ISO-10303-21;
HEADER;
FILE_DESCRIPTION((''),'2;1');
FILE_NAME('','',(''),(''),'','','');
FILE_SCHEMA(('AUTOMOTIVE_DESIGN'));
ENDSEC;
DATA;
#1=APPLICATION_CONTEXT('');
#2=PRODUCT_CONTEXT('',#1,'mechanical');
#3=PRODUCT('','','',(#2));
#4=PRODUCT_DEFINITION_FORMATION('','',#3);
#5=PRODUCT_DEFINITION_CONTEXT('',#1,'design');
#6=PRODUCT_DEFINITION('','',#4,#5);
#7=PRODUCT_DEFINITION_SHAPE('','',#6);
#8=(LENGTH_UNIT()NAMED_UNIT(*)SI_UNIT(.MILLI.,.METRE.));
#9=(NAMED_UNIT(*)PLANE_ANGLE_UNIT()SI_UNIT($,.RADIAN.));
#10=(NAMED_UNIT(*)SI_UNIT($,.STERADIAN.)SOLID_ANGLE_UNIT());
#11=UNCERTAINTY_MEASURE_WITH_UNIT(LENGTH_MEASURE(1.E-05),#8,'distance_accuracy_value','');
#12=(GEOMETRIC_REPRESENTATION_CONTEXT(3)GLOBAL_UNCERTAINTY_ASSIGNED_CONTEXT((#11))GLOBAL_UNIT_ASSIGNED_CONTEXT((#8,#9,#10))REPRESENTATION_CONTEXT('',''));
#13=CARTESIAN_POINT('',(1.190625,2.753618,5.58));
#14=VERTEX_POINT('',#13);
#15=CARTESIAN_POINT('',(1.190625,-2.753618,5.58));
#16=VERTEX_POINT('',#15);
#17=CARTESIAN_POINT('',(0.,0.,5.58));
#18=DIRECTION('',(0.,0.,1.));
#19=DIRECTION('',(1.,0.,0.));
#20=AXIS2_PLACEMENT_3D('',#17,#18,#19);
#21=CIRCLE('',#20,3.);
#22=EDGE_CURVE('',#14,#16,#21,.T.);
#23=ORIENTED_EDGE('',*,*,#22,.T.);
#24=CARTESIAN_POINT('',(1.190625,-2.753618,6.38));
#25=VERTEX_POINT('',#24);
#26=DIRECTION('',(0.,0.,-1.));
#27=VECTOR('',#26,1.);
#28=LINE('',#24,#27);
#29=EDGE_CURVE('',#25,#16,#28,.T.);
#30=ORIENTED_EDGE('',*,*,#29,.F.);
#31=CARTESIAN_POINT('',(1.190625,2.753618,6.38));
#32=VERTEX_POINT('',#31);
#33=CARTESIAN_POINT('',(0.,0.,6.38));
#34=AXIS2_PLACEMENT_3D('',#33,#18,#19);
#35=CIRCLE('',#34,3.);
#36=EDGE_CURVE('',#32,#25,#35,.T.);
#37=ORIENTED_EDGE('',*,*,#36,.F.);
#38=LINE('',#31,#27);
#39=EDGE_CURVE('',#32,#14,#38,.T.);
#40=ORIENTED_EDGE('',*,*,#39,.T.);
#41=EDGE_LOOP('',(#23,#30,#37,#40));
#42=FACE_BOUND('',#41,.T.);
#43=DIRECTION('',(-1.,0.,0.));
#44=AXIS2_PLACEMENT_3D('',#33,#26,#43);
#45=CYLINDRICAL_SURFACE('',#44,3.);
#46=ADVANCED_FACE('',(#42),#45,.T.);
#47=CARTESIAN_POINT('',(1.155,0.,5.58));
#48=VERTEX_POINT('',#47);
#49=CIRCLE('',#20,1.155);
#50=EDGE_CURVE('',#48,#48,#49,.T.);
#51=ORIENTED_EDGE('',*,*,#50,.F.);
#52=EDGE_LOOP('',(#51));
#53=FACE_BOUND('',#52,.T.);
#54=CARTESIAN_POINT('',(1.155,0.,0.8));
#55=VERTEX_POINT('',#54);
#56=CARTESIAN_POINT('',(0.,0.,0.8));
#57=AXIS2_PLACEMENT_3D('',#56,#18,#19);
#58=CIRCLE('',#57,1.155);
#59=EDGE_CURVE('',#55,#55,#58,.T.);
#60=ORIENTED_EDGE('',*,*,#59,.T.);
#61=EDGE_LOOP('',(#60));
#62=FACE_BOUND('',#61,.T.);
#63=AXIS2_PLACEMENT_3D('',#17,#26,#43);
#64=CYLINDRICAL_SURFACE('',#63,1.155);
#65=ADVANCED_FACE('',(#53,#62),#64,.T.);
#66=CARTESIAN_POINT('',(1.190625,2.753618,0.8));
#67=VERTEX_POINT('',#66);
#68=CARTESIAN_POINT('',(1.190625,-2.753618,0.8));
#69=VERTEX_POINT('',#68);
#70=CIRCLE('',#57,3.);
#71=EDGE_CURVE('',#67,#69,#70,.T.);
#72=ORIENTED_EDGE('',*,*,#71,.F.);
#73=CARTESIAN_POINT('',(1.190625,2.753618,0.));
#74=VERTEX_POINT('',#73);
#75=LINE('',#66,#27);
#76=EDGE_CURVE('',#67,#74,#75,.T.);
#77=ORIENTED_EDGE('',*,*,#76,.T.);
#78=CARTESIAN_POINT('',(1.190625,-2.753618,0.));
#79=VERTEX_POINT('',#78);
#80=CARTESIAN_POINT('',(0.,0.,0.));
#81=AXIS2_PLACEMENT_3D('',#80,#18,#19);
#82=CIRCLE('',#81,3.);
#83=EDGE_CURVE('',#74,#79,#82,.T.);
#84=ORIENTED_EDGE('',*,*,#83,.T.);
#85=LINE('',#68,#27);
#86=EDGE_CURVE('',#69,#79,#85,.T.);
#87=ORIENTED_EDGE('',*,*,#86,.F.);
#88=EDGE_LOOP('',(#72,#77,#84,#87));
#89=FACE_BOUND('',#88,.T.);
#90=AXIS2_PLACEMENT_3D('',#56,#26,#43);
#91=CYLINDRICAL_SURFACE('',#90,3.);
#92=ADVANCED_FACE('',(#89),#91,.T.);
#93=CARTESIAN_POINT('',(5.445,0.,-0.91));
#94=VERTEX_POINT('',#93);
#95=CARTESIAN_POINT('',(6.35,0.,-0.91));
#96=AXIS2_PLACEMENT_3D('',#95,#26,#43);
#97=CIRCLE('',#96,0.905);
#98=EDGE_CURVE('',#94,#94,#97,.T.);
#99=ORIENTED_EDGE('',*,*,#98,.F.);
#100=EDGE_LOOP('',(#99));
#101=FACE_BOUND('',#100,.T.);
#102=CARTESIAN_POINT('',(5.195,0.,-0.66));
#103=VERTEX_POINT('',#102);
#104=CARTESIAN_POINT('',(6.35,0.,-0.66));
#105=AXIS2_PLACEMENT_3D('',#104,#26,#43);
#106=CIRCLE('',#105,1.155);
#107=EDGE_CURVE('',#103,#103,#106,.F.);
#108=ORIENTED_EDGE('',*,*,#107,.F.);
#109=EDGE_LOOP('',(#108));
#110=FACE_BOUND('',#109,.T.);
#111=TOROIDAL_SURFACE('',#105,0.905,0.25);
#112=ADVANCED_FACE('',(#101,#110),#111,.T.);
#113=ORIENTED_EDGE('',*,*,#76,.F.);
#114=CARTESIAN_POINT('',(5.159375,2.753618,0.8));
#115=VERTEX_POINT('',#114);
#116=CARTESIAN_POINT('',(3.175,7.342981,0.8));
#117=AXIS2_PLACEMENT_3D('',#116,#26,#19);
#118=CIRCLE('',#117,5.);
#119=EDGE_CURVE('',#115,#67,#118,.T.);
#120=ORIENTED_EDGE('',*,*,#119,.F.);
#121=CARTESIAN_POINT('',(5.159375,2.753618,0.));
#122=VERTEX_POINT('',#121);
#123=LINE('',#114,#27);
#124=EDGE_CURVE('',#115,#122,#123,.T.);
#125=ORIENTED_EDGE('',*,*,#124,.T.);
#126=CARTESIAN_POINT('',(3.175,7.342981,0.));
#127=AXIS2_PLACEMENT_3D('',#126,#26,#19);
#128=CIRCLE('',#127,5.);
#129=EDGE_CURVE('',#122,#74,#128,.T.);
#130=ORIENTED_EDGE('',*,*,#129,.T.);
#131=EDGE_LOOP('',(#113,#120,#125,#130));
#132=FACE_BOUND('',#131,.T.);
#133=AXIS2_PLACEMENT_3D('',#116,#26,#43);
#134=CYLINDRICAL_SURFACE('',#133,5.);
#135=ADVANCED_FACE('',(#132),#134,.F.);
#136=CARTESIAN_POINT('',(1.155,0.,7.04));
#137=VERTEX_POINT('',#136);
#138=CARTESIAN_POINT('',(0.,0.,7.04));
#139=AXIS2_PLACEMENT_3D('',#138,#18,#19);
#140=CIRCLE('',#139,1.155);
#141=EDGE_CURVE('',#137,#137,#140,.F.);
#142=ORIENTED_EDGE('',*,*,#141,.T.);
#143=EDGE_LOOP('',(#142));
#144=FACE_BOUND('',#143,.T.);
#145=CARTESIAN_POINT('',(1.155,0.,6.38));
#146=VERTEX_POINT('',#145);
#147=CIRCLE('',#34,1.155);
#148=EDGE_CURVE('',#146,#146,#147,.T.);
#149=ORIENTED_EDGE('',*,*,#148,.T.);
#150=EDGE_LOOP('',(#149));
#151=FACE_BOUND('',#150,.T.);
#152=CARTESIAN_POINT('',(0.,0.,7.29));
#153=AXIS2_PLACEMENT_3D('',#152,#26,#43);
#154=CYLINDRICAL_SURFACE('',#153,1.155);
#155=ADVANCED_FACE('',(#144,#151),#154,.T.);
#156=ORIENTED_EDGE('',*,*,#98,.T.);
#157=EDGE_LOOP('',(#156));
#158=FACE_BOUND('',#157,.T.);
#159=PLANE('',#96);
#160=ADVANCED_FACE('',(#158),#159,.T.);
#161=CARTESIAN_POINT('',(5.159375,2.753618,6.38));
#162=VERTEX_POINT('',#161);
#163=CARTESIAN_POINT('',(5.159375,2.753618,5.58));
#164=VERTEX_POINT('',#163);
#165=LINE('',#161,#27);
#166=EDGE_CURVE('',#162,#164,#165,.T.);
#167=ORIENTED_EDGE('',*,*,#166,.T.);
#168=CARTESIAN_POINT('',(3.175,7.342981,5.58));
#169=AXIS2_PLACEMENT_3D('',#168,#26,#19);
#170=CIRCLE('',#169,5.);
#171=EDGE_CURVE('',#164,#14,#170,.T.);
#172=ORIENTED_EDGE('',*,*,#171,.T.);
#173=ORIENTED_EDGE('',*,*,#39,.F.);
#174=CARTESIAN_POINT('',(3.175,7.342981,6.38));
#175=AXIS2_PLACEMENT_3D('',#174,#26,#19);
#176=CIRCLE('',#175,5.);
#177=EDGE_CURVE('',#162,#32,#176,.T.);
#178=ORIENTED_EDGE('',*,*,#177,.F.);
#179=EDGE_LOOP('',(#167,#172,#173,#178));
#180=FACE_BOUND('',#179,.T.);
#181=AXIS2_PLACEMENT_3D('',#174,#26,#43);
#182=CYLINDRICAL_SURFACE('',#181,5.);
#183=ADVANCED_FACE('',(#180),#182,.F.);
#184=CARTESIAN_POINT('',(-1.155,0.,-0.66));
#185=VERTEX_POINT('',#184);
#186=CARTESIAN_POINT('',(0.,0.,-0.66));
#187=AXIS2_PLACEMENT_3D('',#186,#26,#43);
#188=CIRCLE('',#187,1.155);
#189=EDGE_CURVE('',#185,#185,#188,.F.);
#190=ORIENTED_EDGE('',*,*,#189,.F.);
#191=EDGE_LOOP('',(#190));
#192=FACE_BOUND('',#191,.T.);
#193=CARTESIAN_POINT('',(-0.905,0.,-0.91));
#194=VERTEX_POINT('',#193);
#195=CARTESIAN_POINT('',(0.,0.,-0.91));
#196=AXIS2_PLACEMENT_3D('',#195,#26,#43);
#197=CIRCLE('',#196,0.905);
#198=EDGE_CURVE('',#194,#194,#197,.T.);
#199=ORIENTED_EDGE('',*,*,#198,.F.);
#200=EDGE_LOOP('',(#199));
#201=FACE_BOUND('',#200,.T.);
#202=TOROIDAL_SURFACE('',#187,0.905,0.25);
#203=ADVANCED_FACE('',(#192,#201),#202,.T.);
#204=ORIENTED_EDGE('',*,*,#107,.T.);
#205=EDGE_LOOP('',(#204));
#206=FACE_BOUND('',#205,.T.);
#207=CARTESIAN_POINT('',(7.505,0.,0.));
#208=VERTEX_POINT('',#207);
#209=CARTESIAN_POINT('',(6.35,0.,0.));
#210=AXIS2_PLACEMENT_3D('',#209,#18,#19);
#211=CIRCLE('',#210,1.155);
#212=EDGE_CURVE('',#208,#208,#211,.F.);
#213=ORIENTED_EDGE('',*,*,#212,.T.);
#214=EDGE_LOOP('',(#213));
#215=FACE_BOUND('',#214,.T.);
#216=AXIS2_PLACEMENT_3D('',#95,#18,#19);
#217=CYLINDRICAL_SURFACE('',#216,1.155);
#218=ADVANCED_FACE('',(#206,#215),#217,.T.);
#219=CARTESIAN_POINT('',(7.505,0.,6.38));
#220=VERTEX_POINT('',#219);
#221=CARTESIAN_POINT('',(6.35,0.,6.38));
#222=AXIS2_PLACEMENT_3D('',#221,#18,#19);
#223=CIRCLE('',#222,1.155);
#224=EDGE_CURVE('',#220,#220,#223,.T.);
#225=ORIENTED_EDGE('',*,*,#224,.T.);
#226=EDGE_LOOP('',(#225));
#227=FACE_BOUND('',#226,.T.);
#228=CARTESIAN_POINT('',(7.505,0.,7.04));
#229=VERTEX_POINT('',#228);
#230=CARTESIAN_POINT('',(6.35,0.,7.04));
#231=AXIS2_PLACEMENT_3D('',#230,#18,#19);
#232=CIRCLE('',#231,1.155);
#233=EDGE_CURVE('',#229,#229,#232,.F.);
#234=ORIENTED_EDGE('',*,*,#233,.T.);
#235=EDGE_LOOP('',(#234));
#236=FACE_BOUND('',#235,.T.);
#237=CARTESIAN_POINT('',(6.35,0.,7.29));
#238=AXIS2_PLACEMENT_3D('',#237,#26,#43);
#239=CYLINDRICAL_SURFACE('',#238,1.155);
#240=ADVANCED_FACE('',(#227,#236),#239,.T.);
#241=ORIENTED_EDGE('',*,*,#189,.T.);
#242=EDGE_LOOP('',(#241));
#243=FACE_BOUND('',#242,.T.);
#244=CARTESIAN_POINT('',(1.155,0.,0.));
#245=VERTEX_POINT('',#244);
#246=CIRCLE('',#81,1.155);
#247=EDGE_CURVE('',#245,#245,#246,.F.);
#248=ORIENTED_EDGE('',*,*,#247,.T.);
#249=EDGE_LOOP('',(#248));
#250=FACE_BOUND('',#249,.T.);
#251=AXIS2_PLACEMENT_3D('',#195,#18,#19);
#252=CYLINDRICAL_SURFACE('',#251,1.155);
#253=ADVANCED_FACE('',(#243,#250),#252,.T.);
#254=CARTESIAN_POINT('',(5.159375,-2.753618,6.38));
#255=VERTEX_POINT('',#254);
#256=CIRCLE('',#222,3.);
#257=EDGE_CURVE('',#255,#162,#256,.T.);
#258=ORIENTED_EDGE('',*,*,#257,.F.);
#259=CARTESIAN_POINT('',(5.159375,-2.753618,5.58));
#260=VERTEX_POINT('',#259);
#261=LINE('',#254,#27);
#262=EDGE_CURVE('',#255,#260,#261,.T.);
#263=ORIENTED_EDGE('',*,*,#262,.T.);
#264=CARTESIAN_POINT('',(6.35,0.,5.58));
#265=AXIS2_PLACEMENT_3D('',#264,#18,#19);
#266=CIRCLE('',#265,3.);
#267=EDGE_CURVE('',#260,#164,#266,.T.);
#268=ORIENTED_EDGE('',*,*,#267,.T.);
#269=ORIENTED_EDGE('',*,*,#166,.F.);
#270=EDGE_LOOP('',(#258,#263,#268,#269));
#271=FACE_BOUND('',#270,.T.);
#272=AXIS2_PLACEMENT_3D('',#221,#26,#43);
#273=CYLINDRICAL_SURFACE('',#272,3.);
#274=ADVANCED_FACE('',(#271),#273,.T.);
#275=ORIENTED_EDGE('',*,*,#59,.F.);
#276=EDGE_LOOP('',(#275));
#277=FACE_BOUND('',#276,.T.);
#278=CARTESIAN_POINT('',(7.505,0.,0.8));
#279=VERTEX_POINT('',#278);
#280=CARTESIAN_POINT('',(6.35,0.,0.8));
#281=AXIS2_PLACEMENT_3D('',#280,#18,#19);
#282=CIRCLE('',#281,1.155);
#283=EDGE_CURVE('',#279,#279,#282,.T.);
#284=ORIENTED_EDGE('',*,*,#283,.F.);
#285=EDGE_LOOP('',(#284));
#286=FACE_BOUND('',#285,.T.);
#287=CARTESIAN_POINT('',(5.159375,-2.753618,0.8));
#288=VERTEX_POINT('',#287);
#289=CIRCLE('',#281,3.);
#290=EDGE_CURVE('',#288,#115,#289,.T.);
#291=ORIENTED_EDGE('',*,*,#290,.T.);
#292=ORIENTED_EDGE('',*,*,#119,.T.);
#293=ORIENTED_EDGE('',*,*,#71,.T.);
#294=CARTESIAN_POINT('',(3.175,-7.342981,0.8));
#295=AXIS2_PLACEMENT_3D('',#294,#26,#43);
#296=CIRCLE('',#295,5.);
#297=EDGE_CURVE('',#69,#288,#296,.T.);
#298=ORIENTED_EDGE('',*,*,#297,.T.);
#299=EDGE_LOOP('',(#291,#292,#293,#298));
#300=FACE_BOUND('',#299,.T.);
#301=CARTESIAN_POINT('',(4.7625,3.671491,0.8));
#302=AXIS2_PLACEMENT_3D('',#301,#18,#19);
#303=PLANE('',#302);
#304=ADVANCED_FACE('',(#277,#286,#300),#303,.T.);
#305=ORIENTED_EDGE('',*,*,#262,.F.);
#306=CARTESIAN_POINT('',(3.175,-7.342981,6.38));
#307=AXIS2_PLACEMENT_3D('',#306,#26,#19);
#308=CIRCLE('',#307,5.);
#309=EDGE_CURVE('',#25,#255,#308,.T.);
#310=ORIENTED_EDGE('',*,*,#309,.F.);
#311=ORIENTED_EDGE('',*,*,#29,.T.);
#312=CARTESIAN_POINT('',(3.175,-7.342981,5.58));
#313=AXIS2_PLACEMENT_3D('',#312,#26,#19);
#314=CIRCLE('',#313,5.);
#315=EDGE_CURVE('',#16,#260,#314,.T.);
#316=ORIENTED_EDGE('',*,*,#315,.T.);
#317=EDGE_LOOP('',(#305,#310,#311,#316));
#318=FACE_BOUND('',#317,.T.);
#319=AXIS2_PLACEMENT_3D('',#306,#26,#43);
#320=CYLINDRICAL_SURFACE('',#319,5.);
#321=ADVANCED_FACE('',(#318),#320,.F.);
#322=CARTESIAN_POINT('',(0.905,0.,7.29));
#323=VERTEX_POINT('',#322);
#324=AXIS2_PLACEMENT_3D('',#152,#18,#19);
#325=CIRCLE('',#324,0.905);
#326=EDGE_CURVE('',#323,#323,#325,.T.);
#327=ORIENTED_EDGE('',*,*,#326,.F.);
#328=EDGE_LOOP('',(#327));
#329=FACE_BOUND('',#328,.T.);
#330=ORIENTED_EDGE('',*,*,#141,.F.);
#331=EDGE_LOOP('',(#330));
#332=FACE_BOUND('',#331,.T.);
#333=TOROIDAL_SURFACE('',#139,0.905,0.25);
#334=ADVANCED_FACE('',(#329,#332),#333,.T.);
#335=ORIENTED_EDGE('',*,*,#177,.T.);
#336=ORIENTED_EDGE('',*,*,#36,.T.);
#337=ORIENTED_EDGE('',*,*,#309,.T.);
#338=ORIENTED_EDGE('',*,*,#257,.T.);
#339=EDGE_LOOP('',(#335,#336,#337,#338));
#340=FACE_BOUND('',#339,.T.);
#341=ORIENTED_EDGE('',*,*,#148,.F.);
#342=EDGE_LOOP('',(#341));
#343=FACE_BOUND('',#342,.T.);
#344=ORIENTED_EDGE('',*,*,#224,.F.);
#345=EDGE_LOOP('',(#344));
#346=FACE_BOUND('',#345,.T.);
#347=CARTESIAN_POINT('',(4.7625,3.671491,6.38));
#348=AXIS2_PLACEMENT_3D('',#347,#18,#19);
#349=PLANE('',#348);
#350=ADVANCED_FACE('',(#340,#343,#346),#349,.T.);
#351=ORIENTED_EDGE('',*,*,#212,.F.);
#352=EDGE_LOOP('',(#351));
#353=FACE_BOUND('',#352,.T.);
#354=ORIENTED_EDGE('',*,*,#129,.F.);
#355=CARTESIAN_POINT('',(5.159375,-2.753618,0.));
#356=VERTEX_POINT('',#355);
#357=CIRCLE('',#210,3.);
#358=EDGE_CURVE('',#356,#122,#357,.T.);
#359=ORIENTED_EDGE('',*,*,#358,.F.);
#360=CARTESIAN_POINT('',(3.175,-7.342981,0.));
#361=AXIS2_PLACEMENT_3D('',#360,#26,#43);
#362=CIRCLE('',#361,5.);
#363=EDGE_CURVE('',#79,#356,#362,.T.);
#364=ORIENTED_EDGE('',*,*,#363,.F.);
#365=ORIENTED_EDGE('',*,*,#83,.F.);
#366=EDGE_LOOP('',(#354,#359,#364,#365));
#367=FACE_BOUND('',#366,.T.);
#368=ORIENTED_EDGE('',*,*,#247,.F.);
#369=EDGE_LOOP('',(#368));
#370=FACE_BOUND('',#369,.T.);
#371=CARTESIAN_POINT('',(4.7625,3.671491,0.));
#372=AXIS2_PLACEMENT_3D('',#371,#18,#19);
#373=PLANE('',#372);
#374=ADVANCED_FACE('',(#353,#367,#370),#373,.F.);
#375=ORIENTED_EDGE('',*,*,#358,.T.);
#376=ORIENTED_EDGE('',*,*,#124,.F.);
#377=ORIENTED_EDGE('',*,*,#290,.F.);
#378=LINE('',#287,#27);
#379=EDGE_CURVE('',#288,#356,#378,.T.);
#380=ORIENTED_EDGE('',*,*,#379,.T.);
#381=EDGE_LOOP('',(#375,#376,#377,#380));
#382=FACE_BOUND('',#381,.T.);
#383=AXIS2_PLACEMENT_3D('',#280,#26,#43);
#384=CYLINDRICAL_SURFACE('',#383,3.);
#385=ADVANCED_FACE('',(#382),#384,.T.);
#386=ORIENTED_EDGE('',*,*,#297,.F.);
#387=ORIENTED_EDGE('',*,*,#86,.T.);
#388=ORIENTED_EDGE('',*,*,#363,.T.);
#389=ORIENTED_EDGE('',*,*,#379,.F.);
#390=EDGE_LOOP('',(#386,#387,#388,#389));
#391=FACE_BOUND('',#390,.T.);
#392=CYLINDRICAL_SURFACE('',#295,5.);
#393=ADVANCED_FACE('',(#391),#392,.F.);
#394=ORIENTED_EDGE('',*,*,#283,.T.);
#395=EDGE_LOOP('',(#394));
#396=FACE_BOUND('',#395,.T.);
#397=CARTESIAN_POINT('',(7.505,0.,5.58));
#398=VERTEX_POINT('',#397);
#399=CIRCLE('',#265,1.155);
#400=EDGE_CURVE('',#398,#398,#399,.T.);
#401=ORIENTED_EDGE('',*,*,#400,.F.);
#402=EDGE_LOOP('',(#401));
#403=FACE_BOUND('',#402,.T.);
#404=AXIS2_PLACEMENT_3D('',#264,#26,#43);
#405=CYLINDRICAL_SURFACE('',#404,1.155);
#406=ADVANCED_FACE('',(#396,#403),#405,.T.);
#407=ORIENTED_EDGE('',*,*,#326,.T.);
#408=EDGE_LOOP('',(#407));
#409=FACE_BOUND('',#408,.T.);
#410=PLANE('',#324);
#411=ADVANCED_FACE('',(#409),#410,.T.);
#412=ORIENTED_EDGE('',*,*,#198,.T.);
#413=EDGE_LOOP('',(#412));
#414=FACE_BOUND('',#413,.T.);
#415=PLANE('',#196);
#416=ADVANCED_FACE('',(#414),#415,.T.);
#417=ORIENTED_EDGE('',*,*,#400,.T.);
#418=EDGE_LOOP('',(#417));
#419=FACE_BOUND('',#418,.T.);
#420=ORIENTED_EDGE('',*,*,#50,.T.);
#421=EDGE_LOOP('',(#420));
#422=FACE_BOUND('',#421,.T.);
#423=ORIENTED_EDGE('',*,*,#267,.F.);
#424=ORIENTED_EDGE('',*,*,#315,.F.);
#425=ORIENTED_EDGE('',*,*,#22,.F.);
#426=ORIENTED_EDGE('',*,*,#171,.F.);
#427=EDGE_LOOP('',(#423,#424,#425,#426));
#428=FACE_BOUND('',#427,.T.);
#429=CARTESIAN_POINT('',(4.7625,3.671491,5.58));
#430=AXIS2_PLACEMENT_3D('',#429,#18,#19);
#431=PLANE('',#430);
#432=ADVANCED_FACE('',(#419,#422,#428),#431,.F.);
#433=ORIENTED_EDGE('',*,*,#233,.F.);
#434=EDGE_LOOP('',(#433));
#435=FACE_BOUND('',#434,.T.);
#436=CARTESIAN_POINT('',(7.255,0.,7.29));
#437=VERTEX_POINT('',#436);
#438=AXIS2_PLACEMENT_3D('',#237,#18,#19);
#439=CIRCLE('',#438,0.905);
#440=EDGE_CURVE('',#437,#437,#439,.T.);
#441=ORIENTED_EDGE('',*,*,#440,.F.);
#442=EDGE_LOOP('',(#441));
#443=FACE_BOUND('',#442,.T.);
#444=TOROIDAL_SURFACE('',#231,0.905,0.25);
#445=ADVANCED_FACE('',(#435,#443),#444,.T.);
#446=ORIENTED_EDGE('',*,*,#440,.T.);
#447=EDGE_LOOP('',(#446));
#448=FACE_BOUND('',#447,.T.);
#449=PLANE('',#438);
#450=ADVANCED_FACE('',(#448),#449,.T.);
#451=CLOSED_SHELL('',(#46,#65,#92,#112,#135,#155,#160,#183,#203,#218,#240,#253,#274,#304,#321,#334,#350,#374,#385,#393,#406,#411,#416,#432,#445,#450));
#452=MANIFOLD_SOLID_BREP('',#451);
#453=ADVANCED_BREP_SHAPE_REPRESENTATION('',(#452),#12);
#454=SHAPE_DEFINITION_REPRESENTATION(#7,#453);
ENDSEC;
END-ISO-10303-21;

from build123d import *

# Parameters (mm, degrees)
EXTRUDE_1_DEPTH = 0.8
SKETCH_2_R      = 1.155
EXTRUDE_2_DEPTH = 4.78
EXTRUDE_3_DEPTH = 0.8
SKETCH_4_R      = 1.155
EXTRUDE_4_DEPTH = 0.91
EXTRUDE_START   = 0.91
SKETCH_5_R      = 1.155
EXTRUDE_5_DEPTH = 0.91
FILLET_1_R      = 0.25


with BuildPart() as part:
    # 草图1 → 凸台-拉伸1 (new body)
    with BuildSketch(Plane.XY):
        with BuildLine():
            ThreePointArc((1.190625, 2.753618004), (-3, 0), (1.190625, -2.753618004))
            ThreePointArc((1.190625, -2.753618004), (3.175, -2.342981343), (5.159375, -2.753618004))
            ThreePointArc((5.159375, -2.753618004), (9.35, 0), (5.159375, 2.753618004))
            ThreePointArc((5.159375, 2.753618004), (3.175, 2.342981343), (1.190625, 2.753618004))
        make_face()
    extrude(amount=EXTRUDE_1_DEPTH)

    # 草图2 → 凸台-拉伸2 (add)
    with BuildSketch(Plane.XY.offset(0.8)):
        Circle(SKETCH_2_R)
        with Locations((6.35, 0)):
            Circle(SKETCH_2_R)
    extrude(amount=EXTRUDE_2_DEPTH)

    # 草图3 → 凸台-拉伸3 (add)
    with BuildSketch(Plane.XY.offset(5.58)):
        with BuildLine():
            ThreePointArc((5.159375, -2.753618004), (3.175, -2.342981343), (1.190625, -2.753618004))
            ThreePointArc((1.190625, -2.753618004), (-3, 0), (1.190625, 2.753618004))
            ThreePointArc((1.190625, 2.753618004), (3.175, 2.342981343), (5.159375, 2.753618004))
            ThreePointArc((5.159375, 2.753618004), (9.35, 0), (5.159375, -2.753618004))
        make_face()
    extrude(amount=EXTRUDE_3_DEPTH)

    # 草图4 → 凸台-拉伸4 (add)
    with BuildSketch(Plane.XY.offset(6.38)):
        Circle(SKETCH_4_R)
        with Locations((6.35, 0)):
            Circle(SKETCH_4_R)
    extrude(amount=EXTRUDE_4_DEPTH)

    # 草图5 → 凸台-拉伸5 (add)
    with BuildSketch(Plane(origin=(0, 0, 0), x_dir=(-1, 0, 0), z_dir=(0, 0, -1)).offset(EXTRUDE_START)):
        with Locations(Location((0, 0, 0), (0, 0, 180))):
            Circle(SKETCH_5_R)
        with Locations(Location((-6.35, 0, 0), (0, 0, 180))):
            Circle(SKETCH_5_R)
    extrude(amount=-EXTRUDE_5_DEPTH)

    # 圆角1
    fillet_1_edges = [part.edges().sort_by_distance(p)[0] for p in [
        (-1.155, 0, 7.29),
        (5.195, 0, 7.29),
        (-1.155, 0, -0.91),
        (5.195, 0, -0.91),
    ]]
    fillet(fillet_1_edges, radius=FILLET_1_R)


solid = part.part
